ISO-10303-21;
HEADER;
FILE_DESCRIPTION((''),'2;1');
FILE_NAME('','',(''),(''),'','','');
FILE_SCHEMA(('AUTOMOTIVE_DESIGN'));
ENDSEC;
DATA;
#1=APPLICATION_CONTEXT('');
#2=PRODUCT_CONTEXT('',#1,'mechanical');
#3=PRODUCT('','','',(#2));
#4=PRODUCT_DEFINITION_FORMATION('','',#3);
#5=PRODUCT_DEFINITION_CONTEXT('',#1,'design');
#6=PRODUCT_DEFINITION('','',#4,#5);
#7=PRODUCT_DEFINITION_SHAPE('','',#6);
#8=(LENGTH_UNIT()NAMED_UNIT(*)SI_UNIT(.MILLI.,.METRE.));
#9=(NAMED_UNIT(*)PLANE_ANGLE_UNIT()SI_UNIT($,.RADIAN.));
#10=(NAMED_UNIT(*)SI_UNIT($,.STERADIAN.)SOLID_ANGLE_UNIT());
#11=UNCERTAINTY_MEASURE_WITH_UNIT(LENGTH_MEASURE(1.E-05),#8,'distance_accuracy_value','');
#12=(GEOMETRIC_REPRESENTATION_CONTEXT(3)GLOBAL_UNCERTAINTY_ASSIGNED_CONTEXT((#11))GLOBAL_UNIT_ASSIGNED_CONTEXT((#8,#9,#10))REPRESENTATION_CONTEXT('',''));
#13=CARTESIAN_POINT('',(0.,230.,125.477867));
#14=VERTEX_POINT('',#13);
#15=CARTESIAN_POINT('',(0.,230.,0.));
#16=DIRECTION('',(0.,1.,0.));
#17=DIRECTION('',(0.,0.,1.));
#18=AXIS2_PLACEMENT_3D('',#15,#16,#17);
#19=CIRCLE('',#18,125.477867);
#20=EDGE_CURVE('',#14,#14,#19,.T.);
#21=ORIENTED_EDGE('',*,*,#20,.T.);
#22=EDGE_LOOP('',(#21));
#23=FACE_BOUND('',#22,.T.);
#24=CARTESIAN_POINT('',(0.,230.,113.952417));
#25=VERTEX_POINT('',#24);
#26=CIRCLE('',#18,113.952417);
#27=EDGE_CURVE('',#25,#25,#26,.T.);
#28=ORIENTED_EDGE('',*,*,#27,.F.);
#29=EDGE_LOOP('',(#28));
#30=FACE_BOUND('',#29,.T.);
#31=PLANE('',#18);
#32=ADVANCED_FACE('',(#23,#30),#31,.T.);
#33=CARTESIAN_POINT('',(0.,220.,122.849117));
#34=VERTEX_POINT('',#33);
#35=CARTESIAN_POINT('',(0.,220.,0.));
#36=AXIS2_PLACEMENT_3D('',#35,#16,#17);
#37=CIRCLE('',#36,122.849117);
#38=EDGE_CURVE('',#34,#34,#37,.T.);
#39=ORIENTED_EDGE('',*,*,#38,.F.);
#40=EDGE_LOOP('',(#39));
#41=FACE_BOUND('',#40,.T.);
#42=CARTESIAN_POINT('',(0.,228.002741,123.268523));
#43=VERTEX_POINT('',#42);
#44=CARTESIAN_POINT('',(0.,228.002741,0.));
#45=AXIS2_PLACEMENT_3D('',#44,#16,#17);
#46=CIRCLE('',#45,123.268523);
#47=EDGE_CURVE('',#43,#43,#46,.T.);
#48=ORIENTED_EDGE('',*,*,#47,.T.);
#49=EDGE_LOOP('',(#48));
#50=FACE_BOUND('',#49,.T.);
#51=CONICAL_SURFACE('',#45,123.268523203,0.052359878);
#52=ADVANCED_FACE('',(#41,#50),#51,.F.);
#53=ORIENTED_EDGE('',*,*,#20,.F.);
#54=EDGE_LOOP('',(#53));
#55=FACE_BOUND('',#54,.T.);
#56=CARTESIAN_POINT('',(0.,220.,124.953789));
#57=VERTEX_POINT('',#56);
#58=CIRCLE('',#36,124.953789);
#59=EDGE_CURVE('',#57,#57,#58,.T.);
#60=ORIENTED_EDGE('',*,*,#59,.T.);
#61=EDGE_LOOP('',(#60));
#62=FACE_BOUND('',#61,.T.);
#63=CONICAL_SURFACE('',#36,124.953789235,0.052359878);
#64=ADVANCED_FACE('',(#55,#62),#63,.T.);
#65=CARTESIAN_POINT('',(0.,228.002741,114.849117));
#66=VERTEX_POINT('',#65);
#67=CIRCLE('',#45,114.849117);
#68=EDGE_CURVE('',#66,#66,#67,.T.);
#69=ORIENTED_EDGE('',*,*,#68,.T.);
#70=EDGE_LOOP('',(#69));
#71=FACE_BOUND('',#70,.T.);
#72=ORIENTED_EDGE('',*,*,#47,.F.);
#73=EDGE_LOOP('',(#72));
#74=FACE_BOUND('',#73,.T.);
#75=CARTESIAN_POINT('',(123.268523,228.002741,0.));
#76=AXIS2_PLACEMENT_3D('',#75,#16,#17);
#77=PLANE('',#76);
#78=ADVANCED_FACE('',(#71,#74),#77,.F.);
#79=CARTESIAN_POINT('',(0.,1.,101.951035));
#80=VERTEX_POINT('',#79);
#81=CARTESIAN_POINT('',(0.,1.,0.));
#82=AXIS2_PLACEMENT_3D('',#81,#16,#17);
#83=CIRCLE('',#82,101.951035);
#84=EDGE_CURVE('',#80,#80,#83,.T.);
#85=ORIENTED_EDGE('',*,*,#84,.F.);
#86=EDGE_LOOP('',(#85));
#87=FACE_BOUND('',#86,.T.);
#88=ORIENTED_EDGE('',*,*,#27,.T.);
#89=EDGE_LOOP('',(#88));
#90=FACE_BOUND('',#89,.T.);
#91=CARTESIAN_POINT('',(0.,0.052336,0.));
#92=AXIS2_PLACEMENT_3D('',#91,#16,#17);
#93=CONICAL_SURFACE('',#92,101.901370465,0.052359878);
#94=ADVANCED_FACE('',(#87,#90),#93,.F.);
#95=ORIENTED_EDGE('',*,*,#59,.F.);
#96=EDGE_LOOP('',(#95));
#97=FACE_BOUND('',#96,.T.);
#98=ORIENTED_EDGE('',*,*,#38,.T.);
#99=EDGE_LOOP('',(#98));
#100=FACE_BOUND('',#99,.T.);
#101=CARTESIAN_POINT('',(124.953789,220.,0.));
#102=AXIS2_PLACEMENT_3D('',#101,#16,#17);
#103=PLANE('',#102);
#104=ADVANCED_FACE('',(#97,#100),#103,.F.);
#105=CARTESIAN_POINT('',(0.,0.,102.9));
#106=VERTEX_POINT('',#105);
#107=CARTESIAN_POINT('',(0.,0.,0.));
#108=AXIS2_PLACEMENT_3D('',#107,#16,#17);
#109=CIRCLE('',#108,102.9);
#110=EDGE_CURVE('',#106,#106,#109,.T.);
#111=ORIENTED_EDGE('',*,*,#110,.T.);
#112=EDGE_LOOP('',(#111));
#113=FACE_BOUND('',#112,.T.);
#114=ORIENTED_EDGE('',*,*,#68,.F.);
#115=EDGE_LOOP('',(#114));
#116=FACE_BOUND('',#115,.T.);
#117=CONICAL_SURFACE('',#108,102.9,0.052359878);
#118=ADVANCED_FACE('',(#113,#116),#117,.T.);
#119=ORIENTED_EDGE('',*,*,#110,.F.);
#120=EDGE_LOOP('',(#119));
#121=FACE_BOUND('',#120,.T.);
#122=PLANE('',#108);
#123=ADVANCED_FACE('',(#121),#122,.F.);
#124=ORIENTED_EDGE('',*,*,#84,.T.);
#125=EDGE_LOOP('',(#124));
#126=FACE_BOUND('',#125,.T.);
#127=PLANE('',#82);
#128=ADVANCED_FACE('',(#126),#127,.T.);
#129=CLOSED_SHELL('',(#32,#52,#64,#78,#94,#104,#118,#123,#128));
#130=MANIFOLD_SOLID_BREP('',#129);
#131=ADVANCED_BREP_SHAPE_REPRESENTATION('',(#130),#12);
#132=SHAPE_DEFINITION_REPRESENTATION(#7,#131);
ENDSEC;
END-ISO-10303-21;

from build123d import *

# Parameters (mm, degrees)
SKETCH1_R           = 102.9
BOSS_EXTRUDE1_DEPTH = 230
BOSS_EXTRUDE1_DRAFT = -3
SHELL2_T            = -1


with BuildPart() as part:
    # Sketch1 → Boss-Extrude1 (with draft: the straight prism first)
    with BuildSketch(Plane(origin=(0, 0, 0), x_dir=(1, 0, 0), z_dir=(0, 1, 0))):
        Circle(SKETCH1_R)
    extrude(amount=BOSS_EXTRUDE1_DEPTH)
    # Boss-Extrude1: the draft: its side faces are tilted about the plane it starts from
    boss_extrude1_sides = [part.faces().sort_by_distance(p)[0] for p in [
        (-102.9, 115, 0),
    ]]
    draft(boss_extrude1_sides, Plane(origin=(0, 0, 0), x_dir=(1, 0, 0), z_dir=(0, 1, 0)), BOSS_EXTRUDE1_DRAFT)

    # Shell2
    shell2_openings = [part.faces().sort_by_distance(p)[0] for p in [
        (0, 230, 0),
    ]]
    offset(amount=SHELL2_T, openings=shell2_openings, kind=Kind.INTERSECTION)

    # Sketch4 → Revolve2 (revolve)
    with BuildSketch(Plane.XY, mode=Mode.PRIVATE) as revolve2_sk:
        Polygon((114.953789235, 230), (125.477867028, 230), (124.953789235, 220), (122.849117323, 220), (123.268523203, 228.00274093), (114.849117323, 228.00274093), align=None)
    revolve(revolve2_sk.sketch.rotate(Axis((0, 230, 0), (0, -1, 0)), 90), axis=Axis((0, 230, 0), (0, -1, 0)))


solid = part.part
